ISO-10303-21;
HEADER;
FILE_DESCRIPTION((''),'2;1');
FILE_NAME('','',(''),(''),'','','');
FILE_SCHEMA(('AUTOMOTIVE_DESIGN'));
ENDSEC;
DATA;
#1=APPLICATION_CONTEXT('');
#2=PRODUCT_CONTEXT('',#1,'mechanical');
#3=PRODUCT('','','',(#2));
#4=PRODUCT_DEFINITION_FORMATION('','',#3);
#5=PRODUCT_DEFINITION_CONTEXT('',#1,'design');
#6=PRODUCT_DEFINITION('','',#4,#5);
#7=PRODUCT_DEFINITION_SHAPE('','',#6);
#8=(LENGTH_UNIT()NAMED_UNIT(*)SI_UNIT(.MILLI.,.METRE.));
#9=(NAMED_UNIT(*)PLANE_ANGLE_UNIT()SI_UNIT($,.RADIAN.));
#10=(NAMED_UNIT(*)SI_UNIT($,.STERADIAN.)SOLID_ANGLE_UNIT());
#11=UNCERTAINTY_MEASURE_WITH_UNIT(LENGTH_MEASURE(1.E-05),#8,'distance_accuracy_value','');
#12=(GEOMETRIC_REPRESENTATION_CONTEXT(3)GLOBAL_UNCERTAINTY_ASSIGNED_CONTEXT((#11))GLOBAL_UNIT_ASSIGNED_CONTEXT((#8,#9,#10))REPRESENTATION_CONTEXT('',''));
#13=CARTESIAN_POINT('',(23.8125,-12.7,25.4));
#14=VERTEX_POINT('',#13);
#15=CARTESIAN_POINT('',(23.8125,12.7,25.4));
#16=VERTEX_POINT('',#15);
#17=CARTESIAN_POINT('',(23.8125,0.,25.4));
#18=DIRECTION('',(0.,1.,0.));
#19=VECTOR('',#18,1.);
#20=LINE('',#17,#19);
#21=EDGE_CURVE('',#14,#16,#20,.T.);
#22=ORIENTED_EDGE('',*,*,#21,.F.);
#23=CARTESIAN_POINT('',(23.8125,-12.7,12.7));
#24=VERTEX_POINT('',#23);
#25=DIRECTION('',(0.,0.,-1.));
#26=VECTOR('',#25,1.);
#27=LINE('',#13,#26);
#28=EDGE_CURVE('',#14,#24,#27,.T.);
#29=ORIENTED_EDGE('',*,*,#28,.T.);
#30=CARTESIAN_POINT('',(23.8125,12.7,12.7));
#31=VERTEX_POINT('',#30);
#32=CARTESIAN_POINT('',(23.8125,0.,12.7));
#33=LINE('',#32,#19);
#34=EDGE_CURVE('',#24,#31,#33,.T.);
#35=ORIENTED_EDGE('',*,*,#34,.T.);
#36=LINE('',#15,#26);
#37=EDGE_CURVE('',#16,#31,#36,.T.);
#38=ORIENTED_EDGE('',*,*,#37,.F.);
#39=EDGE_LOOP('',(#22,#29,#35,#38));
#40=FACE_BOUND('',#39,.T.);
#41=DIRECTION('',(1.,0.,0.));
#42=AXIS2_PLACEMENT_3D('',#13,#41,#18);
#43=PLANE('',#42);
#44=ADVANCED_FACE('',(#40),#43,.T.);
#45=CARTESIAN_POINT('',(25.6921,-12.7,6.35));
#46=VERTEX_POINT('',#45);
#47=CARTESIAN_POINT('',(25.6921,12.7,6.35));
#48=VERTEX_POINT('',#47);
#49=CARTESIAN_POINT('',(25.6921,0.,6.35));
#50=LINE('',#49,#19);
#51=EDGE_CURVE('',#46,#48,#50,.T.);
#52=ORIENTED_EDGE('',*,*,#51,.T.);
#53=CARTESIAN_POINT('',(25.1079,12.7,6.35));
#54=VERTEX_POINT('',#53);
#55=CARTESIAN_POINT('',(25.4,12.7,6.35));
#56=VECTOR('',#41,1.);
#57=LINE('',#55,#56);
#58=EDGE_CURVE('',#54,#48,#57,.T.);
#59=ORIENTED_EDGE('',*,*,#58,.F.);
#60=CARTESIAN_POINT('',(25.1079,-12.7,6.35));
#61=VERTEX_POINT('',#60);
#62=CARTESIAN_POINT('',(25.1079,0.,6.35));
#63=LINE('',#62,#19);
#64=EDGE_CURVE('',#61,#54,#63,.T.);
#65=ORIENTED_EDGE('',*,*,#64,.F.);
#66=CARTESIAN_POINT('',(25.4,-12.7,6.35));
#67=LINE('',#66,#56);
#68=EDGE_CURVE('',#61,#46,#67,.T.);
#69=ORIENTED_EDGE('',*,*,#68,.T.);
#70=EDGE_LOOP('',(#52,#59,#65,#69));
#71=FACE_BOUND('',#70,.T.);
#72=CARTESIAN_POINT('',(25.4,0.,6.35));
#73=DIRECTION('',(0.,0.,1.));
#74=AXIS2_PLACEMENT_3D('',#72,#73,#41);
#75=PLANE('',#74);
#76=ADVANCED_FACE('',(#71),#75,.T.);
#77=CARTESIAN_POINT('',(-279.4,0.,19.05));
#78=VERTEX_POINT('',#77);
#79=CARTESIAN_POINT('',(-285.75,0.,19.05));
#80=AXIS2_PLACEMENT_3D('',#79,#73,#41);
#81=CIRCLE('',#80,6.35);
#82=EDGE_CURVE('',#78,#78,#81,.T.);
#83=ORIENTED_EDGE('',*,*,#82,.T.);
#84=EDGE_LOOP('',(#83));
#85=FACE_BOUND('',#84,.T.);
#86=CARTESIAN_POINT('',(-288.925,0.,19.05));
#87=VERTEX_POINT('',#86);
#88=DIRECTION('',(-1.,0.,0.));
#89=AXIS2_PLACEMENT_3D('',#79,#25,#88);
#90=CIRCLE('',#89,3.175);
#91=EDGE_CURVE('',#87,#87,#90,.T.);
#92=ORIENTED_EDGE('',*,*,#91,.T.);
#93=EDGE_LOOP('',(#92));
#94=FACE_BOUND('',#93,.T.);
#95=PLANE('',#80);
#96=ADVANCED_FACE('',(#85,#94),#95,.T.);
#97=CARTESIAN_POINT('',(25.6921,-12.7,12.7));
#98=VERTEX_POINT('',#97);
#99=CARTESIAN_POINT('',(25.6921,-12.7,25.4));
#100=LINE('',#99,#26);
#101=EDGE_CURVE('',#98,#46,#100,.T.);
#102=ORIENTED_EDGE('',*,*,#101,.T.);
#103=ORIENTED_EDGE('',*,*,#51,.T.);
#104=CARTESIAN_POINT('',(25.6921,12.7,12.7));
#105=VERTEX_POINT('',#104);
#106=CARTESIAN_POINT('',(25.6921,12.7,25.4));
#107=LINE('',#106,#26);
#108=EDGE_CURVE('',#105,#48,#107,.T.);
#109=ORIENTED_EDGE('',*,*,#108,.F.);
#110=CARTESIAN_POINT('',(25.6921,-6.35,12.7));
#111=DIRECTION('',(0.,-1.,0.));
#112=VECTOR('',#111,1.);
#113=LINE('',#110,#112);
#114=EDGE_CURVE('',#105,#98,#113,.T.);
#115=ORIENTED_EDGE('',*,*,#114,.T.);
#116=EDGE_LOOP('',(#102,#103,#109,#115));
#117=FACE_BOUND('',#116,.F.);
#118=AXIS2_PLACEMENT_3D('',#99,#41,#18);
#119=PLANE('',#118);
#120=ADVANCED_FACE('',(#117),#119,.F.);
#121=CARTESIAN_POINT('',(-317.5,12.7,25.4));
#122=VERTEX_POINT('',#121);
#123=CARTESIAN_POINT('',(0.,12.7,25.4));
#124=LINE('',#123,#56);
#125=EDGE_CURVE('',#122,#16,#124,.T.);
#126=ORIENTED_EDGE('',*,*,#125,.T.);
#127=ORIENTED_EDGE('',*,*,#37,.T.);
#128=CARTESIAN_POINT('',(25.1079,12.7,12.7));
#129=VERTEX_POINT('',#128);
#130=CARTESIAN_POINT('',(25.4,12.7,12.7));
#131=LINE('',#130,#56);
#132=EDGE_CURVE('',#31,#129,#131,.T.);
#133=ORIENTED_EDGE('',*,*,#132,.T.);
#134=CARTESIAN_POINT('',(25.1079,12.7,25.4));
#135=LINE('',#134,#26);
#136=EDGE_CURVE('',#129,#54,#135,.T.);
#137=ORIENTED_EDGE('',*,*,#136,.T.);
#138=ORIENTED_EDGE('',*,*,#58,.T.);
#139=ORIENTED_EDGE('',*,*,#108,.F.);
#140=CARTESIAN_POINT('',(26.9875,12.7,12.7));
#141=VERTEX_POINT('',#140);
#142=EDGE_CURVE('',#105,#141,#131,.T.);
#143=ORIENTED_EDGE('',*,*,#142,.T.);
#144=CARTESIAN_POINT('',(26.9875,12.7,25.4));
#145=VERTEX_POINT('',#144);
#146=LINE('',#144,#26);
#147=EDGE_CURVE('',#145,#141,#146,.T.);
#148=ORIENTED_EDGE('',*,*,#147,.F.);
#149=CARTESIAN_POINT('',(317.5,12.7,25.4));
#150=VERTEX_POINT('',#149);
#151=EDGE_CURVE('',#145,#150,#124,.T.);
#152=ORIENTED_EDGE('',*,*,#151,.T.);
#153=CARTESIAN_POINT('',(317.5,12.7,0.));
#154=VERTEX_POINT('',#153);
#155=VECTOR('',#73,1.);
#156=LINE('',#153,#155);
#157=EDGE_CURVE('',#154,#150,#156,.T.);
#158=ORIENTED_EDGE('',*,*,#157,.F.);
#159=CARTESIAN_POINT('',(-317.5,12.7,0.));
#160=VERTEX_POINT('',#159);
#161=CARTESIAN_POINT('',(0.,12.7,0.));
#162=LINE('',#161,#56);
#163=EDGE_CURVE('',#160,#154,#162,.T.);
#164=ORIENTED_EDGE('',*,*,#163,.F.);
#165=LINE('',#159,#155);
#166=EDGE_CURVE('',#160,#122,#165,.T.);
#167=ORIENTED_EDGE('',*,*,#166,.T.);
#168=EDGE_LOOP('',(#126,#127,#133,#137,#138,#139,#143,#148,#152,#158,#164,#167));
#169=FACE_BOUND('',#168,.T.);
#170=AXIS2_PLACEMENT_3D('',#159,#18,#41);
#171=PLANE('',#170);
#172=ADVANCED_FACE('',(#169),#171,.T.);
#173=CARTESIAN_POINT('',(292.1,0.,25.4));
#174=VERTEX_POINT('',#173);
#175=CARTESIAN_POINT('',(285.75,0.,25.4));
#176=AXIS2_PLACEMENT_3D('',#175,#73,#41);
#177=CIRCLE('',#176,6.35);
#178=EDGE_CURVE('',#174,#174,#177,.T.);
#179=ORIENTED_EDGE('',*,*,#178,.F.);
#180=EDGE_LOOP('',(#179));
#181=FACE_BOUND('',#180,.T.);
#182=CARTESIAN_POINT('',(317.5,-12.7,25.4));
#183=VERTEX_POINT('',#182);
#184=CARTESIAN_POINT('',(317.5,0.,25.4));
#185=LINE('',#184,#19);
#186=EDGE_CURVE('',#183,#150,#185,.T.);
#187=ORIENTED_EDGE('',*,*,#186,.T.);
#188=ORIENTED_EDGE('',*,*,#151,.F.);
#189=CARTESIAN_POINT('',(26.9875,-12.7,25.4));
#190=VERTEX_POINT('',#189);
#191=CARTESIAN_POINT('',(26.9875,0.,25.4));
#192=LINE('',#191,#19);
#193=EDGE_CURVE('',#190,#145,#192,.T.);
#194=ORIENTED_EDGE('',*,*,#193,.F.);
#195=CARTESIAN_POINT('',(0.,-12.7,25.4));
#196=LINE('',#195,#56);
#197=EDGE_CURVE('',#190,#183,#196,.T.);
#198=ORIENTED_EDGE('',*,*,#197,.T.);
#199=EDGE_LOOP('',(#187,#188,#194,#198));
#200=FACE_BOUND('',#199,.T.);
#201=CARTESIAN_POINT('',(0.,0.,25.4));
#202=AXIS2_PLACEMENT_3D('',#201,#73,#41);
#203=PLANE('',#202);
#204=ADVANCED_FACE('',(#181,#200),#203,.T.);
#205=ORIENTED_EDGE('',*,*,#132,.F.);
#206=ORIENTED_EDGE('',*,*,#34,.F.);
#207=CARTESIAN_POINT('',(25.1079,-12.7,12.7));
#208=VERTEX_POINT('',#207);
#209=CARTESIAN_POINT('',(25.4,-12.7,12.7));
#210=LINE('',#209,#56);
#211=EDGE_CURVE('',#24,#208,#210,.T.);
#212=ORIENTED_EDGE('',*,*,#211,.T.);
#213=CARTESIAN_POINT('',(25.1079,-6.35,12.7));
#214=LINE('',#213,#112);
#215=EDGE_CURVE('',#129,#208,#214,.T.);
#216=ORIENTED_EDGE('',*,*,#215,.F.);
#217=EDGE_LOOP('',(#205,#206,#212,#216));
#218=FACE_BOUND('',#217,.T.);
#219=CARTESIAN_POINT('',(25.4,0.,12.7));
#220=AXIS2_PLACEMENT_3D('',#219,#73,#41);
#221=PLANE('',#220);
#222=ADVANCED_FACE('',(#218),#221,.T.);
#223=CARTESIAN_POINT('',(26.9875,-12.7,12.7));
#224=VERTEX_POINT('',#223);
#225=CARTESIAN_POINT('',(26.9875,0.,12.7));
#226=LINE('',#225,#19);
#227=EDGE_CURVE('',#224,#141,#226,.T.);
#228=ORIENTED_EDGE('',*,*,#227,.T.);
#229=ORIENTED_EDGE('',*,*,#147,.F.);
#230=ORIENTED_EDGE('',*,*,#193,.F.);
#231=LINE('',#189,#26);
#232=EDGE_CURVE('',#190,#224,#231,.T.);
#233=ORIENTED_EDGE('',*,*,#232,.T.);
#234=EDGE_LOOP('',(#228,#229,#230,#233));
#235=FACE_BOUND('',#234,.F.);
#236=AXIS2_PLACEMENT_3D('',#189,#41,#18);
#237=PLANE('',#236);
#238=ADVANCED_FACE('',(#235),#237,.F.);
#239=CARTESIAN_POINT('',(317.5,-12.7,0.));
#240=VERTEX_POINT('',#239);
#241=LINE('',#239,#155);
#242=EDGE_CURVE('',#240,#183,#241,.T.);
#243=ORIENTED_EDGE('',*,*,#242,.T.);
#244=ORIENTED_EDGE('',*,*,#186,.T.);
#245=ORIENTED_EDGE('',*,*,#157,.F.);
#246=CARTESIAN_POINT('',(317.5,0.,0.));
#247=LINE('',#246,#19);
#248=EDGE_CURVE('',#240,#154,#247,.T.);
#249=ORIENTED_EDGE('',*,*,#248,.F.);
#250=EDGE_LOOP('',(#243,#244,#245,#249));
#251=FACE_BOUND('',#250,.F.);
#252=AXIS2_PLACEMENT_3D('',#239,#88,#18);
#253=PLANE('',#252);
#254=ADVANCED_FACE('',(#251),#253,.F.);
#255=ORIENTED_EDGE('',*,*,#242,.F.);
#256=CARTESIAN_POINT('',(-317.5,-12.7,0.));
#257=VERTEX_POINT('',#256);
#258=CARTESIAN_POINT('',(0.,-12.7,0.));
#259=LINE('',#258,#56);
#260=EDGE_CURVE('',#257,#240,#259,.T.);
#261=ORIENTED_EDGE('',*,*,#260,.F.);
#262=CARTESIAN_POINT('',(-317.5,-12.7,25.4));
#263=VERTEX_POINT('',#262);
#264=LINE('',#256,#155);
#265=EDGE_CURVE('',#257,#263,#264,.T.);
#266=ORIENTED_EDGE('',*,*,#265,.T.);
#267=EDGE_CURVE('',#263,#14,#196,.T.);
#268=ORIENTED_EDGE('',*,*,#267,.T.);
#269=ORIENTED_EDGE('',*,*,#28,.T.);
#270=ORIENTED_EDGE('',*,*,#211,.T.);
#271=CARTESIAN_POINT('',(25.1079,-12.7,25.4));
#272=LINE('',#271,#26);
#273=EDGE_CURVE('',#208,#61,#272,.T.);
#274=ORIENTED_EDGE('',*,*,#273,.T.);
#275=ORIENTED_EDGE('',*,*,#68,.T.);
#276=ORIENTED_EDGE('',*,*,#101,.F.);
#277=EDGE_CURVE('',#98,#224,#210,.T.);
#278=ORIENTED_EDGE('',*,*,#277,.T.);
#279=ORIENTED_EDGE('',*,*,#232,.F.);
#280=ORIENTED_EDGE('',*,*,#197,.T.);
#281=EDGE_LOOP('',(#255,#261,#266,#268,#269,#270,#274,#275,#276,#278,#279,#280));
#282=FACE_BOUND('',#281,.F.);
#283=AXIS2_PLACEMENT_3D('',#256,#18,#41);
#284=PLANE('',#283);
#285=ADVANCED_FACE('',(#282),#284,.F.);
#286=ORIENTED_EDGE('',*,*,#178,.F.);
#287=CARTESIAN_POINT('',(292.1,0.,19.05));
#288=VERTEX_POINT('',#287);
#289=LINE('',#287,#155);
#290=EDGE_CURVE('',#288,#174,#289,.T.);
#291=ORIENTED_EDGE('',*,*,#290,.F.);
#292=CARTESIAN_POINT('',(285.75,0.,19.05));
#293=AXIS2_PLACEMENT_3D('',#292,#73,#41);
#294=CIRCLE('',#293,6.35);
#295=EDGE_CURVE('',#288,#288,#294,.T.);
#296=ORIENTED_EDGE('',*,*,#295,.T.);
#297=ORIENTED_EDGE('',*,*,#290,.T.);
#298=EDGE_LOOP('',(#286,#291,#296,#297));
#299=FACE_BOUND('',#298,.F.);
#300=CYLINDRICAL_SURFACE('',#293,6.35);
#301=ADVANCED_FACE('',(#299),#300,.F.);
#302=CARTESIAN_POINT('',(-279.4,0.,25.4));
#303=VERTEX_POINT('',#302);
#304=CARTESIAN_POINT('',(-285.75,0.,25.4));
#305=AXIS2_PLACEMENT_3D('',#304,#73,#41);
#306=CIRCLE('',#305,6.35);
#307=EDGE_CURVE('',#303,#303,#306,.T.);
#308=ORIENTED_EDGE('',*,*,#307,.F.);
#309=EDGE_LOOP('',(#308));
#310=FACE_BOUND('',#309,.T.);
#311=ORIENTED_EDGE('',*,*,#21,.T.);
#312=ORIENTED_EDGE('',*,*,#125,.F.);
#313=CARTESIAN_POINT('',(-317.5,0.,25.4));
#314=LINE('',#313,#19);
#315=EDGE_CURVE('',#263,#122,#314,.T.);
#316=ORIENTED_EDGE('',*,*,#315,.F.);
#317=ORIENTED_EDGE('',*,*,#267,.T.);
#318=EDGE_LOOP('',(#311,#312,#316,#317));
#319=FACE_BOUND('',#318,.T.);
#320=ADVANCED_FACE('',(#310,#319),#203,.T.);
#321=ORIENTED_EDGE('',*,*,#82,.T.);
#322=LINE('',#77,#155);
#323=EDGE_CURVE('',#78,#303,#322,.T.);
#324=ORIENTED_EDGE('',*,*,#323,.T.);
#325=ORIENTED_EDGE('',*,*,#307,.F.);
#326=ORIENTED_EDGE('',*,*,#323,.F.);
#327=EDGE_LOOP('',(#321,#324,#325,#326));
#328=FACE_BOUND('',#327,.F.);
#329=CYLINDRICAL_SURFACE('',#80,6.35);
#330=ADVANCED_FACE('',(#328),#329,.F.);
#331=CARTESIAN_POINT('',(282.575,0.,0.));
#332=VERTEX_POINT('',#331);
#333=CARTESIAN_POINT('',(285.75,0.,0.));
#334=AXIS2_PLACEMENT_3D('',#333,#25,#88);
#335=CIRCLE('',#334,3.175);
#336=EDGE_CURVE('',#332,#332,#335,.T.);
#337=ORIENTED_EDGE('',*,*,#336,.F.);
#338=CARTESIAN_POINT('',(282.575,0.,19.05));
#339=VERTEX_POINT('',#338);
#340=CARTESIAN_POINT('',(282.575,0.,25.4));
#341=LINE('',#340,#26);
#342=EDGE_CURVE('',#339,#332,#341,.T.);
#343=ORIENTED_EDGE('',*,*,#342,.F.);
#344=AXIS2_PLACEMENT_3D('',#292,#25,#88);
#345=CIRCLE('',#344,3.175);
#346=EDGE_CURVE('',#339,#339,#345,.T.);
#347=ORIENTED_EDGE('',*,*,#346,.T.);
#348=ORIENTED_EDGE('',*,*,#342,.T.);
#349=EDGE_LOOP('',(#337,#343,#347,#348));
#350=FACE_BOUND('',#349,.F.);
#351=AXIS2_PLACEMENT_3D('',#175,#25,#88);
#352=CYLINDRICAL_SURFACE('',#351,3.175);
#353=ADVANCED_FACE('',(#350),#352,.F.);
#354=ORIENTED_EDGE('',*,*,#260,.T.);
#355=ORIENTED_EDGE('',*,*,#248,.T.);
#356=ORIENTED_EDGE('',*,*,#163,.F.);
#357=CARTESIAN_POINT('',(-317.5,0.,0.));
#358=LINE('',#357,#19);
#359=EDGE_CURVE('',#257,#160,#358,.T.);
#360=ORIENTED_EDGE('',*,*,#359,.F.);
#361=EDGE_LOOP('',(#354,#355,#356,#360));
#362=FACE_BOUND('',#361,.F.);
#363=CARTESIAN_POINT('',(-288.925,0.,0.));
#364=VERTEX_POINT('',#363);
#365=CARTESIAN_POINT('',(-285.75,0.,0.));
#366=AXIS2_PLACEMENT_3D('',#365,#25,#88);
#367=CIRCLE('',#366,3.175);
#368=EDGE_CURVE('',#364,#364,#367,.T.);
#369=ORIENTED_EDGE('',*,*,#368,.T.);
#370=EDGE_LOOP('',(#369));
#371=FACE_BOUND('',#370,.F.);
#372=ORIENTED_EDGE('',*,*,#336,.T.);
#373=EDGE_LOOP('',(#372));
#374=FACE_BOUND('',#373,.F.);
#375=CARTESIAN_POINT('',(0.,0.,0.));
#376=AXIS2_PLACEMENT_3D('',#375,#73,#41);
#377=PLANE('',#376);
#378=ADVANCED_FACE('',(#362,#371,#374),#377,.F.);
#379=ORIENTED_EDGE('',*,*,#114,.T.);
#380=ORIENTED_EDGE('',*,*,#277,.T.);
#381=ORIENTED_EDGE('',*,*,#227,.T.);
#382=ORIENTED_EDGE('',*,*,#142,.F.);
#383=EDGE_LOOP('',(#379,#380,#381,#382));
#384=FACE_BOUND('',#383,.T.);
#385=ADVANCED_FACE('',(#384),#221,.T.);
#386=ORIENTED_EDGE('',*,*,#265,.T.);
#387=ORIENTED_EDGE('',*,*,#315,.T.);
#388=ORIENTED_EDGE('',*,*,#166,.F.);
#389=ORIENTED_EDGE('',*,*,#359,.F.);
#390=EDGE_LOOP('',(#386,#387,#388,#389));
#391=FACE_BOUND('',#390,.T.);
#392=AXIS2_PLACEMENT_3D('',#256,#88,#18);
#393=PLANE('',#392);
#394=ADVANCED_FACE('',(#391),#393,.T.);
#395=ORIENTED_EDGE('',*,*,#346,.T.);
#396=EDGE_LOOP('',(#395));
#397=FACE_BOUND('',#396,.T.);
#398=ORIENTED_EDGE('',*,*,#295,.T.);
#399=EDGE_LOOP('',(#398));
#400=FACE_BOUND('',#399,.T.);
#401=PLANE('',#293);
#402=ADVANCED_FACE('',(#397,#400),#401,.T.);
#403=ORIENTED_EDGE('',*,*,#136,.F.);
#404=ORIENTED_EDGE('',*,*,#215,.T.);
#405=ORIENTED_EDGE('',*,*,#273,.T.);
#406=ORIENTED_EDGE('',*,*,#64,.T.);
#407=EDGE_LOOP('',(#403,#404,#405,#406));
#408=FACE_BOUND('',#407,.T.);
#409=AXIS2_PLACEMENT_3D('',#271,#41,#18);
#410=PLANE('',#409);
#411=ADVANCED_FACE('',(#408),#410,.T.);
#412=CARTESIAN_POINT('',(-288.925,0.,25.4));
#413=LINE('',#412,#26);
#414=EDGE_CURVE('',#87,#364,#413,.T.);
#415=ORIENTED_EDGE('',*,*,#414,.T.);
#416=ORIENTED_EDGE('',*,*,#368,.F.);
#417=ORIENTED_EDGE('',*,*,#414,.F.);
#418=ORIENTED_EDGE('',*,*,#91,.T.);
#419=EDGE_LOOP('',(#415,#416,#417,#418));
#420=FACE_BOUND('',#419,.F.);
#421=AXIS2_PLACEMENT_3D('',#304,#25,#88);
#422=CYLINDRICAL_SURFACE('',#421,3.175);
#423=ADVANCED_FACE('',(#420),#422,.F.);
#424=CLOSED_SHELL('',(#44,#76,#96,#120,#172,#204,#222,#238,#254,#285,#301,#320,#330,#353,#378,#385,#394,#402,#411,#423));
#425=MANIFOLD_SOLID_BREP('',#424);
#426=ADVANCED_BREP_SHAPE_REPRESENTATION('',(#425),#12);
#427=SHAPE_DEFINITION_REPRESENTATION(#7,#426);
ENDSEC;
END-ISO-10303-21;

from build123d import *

# Parameters (mm, degrees)
F0_W           = 635
F0_H           = 25.4
F1_DEPTH       = 25.4
F3_D           = 6.35
F3_CBORE_D     = 12.7
F3_CBORE_DEPTH = 6.35
F4_W           = 0.5842
F4_H           = 25.4
F5_DEPTH       = 19.05
F6_W           = 3.175
F6_H           = 25.4
F7_DEPTH       = 12.7


with BuildPart() as f1:
    # F0 (on Top) → F1 (new body)
    with BuildSketch(Plane.XY):
        Rectangle(F0_W, F0_H)
    extrude(amount=F1_DEPTH)

    # F3 (through all)
    with Locations(Plane.XY.offset(25.4)):
        with Locations((-285.75, 0), (285.75, 0)):
            CounterBoreHole(F3_D / 2, F3_CBORE_D / 2, F3_CBORE_DEPTH)

    # F4 (on face) → F5 (cut)
    with BuildSketch(Plane.XY.offset(25.4)):
        with Locations((25.4, 0)):
            Rectangle(F4_W, F4_H)
    extrude(amount=-F5_DEPTH, mode=Mode.SUBTRACT)

    # F6 (on face) → F7 (cut)
    with BuildSketch(Plane.XY.offset(25.4)):
        with Locations((25.4, 0)):
            Rectangle(F6_W, F6_H)
    extrude(amount=-F7_DEPTH, mode=Mode.SUBTRACT)


solid = f1.part
